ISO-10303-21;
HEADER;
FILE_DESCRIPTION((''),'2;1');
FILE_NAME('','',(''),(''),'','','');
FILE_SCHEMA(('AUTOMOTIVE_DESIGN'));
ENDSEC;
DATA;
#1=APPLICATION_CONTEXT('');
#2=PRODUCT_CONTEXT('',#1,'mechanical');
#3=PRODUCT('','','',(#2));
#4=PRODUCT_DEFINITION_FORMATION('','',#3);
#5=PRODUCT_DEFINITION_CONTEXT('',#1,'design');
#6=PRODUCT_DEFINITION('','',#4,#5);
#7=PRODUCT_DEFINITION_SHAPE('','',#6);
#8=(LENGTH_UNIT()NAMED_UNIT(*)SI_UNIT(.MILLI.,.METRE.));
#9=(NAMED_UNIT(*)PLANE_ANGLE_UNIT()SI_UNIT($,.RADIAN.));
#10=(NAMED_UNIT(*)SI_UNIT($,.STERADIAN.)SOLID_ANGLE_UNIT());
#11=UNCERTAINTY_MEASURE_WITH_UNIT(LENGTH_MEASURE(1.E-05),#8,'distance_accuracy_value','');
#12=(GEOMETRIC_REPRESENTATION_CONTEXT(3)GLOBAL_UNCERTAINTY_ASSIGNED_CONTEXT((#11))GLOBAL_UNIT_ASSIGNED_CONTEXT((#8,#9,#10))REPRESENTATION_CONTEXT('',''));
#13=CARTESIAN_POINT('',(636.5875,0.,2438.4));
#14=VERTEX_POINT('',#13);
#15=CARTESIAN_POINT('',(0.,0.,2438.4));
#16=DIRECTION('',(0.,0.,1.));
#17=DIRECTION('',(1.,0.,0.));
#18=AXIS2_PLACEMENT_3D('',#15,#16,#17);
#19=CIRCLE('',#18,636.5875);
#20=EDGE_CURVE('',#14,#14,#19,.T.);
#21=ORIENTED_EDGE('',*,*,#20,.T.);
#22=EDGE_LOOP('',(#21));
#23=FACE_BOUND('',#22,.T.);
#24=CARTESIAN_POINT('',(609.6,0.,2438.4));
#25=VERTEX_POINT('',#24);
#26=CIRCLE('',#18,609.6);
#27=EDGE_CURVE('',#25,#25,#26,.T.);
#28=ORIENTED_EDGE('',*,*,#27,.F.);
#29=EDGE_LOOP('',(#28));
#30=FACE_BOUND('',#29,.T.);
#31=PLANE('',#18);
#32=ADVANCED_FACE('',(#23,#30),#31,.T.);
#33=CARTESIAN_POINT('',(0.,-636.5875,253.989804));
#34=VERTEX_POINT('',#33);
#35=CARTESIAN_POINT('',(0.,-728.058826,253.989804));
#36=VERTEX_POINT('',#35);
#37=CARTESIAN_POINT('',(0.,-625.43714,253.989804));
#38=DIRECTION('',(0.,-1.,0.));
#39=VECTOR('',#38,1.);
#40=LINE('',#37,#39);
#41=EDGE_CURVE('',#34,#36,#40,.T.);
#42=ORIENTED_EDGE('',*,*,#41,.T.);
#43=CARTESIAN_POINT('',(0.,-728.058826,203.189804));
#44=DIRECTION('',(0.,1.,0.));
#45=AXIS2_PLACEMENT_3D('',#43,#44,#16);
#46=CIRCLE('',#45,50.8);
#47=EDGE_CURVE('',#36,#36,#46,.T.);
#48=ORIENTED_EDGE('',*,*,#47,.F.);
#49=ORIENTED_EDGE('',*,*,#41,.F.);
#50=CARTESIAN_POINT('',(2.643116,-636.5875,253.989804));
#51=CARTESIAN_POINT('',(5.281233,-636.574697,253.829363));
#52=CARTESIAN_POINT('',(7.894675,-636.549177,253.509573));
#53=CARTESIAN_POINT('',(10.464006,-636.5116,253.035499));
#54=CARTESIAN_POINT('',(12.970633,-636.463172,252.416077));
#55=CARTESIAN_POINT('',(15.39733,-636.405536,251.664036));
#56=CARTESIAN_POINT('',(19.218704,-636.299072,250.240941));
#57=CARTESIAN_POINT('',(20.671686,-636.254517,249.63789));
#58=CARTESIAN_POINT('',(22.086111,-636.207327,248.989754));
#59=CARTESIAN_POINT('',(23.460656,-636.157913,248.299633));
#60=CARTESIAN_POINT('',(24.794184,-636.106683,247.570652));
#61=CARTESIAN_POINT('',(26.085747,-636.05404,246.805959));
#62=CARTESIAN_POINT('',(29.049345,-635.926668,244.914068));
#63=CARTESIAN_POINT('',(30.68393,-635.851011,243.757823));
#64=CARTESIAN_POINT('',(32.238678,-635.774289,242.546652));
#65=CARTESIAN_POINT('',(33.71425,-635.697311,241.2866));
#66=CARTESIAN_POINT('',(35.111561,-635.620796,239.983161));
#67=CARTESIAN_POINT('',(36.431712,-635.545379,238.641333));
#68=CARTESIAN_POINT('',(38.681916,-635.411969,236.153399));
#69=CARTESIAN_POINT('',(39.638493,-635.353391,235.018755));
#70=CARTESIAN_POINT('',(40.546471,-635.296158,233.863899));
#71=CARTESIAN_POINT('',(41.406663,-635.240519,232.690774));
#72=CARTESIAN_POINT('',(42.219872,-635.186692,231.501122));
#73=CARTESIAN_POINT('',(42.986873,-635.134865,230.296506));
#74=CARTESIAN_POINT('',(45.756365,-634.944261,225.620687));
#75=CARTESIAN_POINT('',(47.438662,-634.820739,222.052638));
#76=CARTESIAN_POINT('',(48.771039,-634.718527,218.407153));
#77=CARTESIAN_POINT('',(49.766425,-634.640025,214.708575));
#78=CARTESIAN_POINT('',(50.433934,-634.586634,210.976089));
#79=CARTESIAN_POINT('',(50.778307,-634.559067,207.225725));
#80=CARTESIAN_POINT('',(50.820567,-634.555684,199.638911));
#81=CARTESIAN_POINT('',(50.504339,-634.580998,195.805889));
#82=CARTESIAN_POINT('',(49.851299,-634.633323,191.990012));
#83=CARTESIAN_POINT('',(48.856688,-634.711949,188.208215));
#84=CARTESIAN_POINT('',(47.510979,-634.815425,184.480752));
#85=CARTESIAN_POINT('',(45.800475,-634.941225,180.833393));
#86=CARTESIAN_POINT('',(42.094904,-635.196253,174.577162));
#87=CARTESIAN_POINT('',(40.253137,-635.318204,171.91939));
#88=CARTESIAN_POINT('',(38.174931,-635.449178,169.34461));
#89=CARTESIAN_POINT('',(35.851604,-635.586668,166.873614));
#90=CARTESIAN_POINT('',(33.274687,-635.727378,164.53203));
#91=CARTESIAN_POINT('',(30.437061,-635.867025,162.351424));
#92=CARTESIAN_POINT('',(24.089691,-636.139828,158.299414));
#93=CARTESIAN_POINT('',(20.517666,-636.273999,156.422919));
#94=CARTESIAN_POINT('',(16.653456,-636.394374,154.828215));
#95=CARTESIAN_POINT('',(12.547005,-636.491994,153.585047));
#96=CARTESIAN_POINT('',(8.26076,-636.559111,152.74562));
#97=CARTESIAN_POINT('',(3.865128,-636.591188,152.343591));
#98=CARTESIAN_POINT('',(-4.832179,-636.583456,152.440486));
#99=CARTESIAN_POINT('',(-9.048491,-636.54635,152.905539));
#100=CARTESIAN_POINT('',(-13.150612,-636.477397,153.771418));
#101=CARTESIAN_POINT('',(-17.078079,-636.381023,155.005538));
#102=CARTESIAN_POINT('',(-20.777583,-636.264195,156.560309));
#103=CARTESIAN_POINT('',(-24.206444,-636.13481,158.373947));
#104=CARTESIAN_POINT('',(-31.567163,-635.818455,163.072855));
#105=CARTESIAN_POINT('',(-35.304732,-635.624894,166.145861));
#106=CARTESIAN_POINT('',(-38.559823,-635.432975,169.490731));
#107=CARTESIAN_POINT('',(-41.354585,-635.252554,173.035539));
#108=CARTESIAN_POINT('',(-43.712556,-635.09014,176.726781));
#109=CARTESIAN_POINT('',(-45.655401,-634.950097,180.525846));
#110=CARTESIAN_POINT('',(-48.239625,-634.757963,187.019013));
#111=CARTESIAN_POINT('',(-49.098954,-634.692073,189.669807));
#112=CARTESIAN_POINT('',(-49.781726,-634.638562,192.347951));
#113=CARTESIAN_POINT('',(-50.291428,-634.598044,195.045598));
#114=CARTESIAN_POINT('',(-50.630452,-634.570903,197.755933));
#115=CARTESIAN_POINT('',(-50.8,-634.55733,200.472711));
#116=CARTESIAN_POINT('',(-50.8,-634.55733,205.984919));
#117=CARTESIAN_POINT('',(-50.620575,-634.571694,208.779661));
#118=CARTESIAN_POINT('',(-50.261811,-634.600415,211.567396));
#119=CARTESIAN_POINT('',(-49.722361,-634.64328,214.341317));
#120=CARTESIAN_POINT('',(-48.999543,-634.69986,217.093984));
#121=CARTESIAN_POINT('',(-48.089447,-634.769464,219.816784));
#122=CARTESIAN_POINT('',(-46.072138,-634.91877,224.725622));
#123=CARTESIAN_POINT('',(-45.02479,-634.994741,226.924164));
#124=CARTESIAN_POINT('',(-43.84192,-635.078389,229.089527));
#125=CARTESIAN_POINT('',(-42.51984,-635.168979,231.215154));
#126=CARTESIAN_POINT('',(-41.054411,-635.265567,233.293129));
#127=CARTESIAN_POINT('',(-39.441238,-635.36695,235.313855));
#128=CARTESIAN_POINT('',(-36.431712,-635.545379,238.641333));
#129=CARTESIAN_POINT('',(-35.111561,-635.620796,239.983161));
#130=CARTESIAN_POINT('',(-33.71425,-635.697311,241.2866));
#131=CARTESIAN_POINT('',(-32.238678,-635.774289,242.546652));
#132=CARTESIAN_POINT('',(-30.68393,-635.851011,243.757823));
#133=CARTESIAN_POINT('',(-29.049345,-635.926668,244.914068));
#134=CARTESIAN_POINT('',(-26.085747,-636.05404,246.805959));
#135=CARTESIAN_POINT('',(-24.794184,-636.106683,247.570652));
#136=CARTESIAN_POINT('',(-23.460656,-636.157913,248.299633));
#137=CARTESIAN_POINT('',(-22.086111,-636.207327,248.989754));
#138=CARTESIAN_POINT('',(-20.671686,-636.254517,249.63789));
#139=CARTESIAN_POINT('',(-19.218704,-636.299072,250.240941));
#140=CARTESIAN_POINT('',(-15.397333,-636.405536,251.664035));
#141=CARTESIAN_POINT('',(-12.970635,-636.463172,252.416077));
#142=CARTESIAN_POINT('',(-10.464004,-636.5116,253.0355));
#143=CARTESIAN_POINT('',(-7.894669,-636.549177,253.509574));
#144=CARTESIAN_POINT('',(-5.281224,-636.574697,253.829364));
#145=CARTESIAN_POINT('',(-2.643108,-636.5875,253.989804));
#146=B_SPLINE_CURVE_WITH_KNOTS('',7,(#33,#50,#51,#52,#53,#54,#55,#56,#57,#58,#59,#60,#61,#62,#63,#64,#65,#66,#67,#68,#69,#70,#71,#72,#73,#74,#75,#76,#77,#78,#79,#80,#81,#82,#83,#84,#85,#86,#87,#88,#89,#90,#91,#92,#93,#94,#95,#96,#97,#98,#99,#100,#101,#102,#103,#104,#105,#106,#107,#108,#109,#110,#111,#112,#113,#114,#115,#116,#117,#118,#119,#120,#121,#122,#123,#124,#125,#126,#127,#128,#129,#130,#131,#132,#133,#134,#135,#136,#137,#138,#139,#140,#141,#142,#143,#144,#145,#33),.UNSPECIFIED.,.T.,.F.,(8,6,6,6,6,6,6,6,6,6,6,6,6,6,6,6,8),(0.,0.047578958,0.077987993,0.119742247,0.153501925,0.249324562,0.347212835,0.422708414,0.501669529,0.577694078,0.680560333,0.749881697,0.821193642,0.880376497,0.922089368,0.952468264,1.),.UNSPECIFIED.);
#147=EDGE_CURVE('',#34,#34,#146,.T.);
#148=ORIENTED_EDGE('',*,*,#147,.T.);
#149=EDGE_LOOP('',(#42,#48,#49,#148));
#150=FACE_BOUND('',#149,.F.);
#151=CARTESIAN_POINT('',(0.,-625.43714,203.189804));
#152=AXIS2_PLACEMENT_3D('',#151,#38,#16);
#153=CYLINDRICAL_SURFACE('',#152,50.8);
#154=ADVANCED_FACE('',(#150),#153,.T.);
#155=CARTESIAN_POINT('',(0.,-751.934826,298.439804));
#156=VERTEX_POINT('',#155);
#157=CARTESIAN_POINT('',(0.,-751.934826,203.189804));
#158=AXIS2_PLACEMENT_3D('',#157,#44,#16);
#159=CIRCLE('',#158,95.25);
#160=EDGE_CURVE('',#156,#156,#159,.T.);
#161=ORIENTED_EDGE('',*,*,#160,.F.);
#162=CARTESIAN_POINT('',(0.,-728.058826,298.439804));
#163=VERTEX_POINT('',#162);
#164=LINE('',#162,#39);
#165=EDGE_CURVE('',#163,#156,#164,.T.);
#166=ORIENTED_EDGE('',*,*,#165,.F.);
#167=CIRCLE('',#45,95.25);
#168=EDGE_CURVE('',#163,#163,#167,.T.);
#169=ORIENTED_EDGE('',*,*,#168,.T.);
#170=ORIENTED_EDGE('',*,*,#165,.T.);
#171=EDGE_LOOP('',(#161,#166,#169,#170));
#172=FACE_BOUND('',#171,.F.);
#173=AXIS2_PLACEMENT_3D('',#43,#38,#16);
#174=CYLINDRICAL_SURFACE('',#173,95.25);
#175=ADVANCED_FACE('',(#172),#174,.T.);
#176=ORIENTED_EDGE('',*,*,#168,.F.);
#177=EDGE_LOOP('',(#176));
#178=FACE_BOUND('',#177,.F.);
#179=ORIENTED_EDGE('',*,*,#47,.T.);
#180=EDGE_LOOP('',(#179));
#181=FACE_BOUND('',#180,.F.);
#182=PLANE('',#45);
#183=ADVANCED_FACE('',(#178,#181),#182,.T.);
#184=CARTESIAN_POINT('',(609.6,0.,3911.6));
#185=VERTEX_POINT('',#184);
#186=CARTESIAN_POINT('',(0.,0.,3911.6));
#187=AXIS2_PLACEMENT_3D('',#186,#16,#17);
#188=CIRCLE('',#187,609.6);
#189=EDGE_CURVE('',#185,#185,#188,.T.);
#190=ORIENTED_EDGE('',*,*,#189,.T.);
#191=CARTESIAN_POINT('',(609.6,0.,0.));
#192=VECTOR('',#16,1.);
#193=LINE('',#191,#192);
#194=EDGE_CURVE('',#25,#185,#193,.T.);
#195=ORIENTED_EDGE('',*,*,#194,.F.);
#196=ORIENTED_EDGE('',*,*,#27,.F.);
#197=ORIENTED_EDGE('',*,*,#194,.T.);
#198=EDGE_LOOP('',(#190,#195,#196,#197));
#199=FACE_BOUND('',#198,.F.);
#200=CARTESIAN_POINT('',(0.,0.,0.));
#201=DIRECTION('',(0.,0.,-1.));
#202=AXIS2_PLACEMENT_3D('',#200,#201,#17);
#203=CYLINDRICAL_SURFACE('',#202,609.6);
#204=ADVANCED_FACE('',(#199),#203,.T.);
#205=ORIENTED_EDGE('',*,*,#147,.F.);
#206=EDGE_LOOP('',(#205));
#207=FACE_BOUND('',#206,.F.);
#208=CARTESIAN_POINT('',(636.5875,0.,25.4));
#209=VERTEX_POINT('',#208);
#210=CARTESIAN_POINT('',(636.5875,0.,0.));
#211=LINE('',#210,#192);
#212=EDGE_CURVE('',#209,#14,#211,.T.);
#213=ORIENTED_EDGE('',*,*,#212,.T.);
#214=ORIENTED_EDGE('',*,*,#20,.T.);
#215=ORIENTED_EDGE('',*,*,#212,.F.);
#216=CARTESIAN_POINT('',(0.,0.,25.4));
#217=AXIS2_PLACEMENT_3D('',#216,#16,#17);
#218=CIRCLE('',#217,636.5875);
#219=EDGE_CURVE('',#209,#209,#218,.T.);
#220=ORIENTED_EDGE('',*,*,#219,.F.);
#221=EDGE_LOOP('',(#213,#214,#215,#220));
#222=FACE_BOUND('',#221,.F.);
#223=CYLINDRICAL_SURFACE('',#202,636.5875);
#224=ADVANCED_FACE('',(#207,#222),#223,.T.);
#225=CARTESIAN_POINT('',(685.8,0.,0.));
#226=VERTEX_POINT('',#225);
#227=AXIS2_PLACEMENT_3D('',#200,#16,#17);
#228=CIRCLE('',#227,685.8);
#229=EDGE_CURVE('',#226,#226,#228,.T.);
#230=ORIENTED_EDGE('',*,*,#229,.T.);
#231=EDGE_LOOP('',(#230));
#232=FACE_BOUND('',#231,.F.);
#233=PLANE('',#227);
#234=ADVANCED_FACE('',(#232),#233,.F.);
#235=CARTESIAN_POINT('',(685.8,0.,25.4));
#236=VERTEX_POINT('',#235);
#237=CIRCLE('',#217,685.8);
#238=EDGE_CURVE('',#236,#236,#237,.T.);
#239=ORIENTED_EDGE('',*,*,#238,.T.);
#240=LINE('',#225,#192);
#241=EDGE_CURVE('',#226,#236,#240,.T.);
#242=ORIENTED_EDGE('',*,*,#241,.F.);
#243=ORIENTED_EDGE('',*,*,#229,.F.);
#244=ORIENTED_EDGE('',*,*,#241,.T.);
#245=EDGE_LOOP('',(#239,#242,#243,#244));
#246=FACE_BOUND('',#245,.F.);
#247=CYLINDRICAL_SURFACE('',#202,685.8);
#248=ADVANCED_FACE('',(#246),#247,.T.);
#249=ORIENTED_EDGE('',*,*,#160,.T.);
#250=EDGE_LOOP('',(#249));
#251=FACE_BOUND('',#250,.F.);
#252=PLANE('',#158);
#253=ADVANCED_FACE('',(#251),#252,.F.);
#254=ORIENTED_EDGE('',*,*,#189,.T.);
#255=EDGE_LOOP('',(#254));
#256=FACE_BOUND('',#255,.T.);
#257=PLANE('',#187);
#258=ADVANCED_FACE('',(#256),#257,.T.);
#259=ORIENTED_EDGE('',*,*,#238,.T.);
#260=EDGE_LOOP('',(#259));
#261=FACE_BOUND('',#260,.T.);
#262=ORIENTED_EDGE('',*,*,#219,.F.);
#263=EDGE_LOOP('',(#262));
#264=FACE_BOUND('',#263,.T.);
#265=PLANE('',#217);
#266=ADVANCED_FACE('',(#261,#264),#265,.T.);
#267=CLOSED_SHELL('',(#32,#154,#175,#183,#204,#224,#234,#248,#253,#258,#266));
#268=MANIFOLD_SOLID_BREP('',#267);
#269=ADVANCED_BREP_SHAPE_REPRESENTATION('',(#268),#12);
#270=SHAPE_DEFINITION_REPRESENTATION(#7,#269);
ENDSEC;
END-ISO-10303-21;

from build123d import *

# Parameters (mm, degrees)
F0_R     = 609.6
F1_DEPTH = 3911.6
F0_R_2   = 636.5875
F2_DEPTH = 2438.4
F0_R_3   = 685.8
F3_DEPTH = 25.4


with BuildPart() as f1:
    # F0 (on Top) → F1 (new body)
    with BuildSketch(Plane.XY):
        Circle(F0_R)
    extrude(amount=F1_DEPTH)

    # F0 (on Top) → F2 (join)
    with BuildSketch(Plane.XY):
        Circle(F0_R_2)
        Circle(F0_R, mode=Mode.SUBTRACT)
    extrude(amount=F2_DEPTH)

    # F0 (on Top) → F3 (join)
    with BuildSketch(Plane.XY):
        Circle(F0_R_3)
        Circle(F0_R_2, mode=Mode.SUBTRACT)
    extrude(amount=F3_DEPTH)

    # F4 (on Right) → F5 (revolve)
    with BuildSketch(Plane.YZ):
        Polygon((-751.934826, 298.439804), (-751.934826, 203.189804), (-625.43714, 203.189804), (-625.43714, 253.989804), (-728.058826, 253.989804), (-728.058826, 298.439804), align=None)
    revolve(axis=Axis((0, -584.725052, 203.189804), (0, 1, 0)))


solid = f1.part
